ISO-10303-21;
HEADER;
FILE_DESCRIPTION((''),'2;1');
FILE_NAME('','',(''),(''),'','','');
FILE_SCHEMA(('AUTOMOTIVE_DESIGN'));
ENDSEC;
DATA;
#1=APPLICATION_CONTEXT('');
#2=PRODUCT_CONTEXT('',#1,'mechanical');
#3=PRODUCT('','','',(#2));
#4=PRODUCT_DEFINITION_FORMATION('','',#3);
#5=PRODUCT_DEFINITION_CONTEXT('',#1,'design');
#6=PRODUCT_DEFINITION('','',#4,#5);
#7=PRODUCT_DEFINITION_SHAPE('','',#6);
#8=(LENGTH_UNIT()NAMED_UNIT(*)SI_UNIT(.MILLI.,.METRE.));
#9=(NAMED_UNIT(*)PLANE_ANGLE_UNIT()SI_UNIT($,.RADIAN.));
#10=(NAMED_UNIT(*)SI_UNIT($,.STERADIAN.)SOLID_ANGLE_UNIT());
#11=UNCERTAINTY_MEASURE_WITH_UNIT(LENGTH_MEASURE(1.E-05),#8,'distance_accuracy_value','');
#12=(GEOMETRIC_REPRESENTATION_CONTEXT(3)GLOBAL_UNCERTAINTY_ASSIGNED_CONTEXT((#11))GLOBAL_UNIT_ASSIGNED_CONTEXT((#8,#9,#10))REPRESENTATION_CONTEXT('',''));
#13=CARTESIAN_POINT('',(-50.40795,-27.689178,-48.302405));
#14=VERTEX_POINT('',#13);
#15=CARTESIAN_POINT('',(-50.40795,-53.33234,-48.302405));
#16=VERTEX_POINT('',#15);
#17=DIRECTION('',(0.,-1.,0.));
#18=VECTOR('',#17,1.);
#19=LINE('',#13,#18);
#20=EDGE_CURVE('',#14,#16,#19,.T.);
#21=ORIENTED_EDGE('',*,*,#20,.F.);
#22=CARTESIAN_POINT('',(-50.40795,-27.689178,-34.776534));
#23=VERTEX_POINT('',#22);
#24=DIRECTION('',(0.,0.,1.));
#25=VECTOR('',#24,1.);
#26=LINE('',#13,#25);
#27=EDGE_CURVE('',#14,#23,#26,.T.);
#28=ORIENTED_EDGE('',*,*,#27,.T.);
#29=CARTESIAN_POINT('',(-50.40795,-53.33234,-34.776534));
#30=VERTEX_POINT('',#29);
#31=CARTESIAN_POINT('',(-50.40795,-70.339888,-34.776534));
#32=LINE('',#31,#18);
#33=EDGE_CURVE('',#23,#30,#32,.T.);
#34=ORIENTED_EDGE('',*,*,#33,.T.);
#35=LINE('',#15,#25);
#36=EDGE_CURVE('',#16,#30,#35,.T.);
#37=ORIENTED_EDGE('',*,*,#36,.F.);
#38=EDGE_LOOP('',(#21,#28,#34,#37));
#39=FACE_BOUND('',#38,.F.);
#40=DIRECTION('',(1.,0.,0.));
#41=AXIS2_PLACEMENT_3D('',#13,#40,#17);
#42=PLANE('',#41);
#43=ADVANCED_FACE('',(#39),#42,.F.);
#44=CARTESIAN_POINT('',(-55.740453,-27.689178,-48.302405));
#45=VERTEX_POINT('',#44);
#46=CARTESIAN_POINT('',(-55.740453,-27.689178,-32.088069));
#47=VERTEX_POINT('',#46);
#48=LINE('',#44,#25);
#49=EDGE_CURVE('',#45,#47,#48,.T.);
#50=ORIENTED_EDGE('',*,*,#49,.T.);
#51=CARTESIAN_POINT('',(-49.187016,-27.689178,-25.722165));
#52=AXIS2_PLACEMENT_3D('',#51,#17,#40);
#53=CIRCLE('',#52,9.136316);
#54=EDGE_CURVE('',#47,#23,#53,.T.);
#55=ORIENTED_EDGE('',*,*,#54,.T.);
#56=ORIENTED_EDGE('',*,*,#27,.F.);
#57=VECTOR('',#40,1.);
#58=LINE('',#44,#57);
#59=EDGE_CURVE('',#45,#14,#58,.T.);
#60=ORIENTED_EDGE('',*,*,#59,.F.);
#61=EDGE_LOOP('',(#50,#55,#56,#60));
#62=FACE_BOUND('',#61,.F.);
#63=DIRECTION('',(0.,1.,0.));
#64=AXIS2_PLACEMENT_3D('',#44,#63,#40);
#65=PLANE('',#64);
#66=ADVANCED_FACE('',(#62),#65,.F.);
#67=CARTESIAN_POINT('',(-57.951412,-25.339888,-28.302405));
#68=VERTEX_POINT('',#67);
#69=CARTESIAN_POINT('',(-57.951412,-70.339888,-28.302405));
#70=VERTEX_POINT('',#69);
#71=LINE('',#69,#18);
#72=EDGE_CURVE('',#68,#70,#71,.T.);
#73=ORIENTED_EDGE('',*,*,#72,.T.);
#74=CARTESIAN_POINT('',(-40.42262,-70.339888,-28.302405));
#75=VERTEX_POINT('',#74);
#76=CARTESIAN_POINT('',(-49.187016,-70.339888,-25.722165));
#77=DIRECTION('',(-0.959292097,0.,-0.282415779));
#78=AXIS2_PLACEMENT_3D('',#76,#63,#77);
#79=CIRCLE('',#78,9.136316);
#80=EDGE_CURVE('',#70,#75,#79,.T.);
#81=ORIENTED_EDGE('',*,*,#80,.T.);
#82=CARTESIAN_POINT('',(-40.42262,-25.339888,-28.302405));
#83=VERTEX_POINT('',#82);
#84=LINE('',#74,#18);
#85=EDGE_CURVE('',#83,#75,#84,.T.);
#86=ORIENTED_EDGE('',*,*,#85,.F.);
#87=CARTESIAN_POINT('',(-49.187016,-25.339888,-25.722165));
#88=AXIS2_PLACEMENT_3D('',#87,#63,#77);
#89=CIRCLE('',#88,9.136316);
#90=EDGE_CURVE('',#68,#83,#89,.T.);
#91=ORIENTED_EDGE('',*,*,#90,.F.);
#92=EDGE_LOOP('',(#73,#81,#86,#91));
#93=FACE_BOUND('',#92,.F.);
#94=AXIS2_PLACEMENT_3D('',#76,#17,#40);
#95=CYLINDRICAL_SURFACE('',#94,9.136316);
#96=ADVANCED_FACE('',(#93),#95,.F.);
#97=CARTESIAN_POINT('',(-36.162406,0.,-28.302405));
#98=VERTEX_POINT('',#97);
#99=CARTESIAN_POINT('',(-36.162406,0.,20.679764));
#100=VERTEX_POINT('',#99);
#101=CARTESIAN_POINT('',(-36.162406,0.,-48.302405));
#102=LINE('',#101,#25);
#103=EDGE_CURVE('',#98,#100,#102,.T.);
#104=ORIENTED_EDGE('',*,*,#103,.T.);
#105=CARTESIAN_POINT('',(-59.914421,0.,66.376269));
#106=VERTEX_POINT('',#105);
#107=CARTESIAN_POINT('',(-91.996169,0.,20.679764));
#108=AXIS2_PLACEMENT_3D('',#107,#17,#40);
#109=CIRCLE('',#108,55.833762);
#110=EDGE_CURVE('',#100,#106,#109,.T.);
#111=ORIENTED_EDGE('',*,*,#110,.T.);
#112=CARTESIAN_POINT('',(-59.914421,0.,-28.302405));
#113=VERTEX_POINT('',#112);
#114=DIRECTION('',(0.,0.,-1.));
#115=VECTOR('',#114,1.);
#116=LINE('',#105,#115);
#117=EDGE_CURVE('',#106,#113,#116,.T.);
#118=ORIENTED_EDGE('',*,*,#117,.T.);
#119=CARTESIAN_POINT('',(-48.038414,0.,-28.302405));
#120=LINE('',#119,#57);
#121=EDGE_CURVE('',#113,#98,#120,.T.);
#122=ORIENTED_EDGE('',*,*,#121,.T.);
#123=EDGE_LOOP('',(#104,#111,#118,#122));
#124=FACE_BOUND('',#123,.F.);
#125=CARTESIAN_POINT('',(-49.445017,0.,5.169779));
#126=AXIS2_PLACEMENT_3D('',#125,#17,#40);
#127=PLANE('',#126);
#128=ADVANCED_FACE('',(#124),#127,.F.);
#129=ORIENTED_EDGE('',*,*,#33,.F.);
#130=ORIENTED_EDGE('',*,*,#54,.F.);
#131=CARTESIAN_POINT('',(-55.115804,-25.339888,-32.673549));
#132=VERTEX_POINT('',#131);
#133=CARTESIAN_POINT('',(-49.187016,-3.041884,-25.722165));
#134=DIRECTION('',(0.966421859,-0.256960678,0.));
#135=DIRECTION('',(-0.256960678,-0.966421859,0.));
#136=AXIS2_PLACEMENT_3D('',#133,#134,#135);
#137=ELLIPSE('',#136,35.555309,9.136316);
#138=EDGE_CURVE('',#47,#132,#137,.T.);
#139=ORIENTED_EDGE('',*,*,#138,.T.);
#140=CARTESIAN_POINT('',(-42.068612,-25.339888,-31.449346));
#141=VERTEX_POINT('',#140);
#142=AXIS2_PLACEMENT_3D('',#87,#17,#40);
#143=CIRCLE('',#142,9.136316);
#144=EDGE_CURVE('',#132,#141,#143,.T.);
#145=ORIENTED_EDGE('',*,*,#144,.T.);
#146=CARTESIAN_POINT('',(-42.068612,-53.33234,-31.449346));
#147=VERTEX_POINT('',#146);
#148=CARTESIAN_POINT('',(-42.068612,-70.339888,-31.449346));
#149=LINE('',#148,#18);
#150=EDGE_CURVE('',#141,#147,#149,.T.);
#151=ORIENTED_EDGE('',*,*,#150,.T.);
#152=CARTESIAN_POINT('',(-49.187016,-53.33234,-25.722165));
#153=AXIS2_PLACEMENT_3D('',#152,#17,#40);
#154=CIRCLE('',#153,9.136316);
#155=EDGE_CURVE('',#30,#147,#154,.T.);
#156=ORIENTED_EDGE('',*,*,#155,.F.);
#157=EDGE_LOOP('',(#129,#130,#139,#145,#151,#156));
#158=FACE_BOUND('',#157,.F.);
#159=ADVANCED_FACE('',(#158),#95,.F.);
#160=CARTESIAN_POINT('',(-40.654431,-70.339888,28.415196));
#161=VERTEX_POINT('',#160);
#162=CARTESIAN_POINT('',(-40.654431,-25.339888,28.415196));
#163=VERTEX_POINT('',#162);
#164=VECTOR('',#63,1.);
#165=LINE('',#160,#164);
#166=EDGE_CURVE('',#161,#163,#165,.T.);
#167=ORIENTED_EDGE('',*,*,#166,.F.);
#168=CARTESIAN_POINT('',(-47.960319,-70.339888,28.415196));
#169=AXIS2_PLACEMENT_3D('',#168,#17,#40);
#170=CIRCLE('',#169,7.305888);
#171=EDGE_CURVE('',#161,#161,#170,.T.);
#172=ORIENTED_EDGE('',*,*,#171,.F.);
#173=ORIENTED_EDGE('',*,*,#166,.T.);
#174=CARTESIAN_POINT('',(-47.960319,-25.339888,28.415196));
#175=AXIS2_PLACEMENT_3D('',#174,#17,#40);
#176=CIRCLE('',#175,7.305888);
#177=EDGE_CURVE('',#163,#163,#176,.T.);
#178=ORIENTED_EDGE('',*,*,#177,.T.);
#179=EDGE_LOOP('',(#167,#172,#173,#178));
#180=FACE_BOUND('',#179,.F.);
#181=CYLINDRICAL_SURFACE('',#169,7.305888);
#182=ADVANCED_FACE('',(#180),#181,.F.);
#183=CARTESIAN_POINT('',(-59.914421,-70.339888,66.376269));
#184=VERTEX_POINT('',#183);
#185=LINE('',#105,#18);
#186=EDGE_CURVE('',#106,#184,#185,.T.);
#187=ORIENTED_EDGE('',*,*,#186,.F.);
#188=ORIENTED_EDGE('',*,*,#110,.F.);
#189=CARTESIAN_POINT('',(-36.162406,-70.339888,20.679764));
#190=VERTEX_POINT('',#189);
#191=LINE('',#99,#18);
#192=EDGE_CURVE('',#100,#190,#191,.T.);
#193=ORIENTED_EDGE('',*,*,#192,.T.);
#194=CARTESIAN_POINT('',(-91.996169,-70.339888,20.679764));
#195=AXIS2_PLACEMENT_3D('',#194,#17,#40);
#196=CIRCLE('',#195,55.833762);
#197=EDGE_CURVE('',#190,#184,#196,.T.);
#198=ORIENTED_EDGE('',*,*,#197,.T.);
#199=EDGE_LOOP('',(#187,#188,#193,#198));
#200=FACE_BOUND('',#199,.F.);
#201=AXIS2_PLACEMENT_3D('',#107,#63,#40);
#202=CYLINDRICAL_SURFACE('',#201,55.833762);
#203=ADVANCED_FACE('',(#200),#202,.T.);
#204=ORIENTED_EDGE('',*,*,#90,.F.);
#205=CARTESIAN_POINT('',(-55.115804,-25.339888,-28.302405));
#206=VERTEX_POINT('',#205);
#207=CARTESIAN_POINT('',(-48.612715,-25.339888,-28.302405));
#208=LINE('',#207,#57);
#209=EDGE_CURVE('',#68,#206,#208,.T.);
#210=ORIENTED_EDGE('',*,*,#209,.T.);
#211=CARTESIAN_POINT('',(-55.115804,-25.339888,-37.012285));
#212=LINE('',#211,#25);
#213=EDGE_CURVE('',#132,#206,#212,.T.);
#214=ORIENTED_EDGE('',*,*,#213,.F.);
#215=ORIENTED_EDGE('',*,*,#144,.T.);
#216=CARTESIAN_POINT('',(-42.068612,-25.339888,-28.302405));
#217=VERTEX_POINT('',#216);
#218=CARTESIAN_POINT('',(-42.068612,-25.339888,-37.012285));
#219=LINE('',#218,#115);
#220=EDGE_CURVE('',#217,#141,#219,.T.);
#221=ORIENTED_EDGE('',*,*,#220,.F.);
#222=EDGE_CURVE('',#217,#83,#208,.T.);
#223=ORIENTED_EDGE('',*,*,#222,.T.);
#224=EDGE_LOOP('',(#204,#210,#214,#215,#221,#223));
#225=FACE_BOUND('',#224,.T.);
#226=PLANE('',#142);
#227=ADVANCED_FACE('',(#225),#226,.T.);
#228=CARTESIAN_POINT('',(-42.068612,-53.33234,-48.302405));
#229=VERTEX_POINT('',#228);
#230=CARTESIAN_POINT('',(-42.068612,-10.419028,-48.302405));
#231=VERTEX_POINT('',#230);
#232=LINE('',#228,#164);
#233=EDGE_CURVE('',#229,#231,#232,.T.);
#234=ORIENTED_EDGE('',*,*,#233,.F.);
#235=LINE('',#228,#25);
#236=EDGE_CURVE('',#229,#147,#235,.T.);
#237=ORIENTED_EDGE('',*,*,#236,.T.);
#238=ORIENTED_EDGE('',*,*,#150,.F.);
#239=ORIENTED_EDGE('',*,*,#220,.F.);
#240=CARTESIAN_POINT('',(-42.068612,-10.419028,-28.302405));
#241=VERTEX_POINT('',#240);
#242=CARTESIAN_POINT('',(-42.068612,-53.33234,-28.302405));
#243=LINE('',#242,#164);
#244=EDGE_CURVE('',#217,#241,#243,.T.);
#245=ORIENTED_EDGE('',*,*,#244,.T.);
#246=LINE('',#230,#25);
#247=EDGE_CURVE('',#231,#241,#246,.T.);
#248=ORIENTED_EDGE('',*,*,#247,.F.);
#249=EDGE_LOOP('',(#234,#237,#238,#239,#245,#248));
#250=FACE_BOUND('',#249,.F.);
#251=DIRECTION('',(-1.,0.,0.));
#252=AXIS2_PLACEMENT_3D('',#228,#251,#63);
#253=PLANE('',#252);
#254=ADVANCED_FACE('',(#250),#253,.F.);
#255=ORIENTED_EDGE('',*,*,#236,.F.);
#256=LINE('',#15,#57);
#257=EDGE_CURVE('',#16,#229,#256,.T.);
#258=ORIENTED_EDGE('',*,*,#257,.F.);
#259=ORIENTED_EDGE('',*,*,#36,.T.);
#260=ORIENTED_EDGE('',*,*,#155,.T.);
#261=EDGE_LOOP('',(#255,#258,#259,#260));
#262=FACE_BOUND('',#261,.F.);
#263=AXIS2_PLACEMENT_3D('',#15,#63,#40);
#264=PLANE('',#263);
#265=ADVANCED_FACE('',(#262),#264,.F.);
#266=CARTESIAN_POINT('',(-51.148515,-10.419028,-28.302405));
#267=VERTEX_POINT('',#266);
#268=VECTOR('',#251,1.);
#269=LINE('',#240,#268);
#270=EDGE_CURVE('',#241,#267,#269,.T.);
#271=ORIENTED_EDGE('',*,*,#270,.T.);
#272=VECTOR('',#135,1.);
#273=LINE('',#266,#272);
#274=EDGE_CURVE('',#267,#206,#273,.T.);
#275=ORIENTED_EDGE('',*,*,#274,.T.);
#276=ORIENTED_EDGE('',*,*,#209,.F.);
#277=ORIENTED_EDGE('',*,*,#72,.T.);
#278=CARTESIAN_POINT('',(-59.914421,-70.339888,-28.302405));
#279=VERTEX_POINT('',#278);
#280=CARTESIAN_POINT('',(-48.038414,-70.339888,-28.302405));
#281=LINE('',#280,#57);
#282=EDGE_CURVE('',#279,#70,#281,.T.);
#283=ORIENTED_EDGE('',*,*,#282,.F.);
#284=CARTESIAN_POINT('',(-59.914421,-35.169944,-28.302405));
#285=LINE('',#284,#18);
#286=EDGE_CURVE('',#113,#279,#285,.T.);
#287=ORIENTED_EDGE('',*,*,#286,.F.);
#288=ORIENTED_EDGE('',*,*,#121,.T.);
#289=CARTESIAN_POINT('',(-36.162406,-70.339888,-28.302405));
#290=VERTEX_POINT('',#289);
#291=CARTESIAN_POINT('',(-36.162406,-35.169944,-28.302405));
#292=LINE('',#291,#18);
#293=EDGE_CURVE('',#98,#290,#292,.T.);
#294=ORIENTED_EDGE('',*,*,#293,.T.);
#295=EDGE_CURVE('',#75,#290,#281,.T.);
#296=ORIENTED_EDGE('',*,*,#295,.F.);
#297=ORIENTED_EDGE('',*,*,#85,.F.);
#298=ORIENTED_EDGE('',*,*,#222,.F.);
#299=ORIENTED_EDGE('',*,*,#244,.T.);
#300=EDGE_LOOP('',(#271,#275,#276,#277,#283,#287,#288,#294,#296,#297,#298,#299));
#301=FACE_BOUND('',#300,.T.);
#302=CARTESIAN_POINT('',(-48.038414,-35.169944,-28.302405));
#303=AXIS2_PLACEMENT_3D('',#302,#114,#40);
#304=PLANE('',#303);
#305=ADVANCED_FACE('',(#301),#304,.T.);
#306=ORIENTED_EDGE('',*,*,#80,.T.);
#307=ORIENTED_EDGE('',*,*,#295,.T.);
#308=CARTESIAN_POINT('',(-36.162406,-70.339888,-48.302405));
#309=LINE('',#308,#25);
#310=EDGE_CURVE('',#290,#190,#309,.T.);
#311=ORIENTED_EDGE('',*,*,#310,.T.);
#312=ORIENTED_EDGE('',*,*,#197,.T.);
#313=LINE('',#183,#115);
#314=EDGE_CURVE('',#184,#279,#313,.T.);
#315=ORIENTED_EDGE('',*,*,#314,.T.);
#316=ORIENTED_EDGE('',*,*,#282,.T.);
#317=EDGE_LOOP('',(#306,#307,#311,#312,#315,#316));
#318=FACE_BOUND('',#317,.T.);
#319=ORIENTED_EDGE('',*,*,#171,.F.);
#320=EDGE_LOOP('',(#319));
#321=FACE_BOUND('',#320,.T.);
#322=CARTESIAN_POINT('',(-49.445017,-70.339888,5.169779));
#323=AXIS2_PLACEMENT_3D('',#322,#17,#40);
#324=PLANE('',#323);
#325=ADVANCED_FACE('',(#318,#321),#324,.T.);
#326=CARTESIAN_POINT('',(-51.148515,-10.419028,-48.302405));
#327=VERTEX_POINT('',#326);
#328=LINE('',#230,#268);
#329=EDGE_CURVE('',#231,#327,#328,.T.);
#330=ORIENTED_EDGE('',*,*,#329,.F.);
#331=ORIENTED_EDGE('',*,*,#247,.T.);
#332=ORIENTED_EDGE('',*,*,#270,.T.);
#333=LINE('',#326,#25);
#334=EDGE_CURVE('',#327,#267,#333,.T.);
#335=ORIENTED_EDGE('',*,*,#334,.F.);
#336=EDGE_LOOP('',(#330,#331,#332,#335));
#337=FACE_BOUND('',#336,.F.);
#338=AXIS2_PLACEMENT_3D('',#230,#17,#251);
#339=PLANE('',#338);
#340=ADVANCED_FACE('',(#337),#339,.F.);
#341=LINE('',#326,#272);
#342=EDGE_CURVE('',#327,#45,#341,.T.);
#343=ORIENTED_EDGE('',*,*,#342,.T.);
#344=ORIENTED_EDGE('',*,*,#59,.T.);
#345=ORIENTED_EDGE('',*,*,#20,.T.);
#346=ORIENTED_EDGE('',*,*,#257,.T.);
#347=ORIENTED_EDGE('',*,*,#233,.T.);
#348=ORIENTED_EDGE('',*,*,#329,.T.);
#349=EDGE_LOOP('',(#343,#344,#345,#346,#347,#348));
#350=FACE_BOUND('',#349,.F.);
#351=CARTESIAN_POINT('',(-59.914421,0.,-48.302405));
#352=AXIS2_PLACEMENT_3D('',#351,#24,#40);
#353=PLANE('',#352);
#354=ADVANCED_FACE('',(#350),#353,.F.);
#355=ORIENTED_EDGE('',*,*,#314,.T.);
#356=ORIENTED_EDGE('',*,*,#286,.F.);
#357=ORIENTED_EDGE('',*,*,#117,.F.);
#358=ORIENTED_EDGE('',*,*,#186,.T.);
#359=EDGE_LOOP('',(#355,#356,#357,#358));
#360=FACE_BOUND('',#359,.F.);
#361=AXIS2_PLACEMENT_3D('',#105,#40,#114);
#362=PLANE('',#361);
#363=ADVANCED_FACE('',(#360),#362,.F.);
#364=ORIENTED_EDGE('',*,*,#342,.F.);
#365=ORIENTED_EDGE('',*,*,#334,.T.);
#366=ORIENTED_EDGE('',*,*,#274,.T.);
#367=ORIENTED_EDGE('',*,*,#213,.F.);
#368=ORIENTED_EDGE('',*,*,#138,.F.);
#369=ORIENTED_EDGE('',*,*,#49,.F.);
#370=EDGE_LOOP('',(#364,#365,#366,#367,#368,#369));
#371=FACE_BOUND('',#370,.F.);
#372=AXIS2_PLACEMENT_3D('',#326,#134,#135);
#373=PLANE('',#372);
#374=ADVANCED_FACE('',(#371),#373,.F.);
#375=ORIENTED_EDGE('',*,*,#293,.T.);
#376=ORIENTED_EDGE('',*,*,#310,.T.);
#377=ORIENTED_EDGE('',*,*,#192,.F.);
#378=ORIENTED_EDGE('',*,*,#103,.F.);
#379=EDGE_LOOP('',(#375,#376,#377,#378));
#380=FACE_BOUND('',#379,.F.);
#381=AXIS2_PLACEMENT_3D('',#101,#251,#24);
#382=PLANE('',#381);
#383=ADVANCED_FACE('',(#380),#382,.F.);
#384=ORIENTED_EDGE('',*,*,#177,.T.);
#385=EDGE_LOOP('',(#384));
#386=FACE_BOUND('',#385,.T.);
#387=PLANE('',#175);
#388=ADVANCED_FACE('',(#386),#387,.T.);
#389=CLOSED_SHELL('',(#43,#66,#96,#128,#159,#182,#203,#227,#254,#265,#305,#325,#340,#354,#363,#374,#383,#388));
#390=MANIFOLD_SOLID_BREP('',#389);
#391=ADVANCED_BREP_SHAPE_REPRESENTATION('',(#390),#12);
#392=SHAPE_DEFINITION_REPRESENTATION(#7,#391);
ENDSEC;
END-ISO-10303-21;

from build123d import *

# Parameters (mm, degrees)
F1_DEPTH = 70.3398883343
F3_R     = 7.3058881184
F3_R_2   = 9.1363164158
F4_DEPTH = 45
F5_W     = 23.752015084
F5_H     = 70.3398883343
F6_DEPTH = 20


with BuildPart() as f1:
    # F0 (on Front) → F1 (new body)
    with BuildSketch(Plane.XZ):
        with BuildLine():
            ThreePointArc((-36.1624062061, 20.6797644496), (-42.455005515, 46.4301466614), (-59.9144212902, 66.3762688637))
            Line((-59.9144212902, 66.3762688637), (-59.9144212902, -48.3024045825))
            Line((-59.9144212902, -48.3024045825), (-36.1624062061, -48.3024045825))
            Line((-36.1624062061, -48.3024045825), (-36.1624062061, 20.6797644496))
        make_face()
    extrude(amount=F1_DEPTH)

    # F3 (on face) → F4 (cut)
    with BuildSketch(Plane.XZ.offset(70.3398883343)):
        with Locations((-47.960318625, 28.4151956439)):
            Circle(F3_R)
        with Locations((-49.1870157421, -25.7221646607)):
            Circle(F3_R_2)
    extrude(amount=-F4_DEPTH, mode=Mode.SUBTRACT)

    # F5 (on face) → F6 (cut)
    with BuildSketch(Plane(origin=(0, 0, -48.3024045825), x_dir=(1, 0, 0), z_dir=(0, 0, -1))):
        with Locations((-48.0384137481, 35.1699441671)):
            Rectangle(F5_W, F5_H)
        Polygon((-42.0686118305, 10.4190278798), (-51.1485151947, 10.4190278798), (-55.7404533029, 27.6891775429), (-50.4079498351, 27.6891775429), (-50.4079498351, 53.3323399723), (-42.0686118305, 53.3323399723), align=None, mode=Mode.SUBTRACT)
    extrude(amount=-F6_DEPTH, mode=Mode.SUBTRACT)


solid = f1.part
